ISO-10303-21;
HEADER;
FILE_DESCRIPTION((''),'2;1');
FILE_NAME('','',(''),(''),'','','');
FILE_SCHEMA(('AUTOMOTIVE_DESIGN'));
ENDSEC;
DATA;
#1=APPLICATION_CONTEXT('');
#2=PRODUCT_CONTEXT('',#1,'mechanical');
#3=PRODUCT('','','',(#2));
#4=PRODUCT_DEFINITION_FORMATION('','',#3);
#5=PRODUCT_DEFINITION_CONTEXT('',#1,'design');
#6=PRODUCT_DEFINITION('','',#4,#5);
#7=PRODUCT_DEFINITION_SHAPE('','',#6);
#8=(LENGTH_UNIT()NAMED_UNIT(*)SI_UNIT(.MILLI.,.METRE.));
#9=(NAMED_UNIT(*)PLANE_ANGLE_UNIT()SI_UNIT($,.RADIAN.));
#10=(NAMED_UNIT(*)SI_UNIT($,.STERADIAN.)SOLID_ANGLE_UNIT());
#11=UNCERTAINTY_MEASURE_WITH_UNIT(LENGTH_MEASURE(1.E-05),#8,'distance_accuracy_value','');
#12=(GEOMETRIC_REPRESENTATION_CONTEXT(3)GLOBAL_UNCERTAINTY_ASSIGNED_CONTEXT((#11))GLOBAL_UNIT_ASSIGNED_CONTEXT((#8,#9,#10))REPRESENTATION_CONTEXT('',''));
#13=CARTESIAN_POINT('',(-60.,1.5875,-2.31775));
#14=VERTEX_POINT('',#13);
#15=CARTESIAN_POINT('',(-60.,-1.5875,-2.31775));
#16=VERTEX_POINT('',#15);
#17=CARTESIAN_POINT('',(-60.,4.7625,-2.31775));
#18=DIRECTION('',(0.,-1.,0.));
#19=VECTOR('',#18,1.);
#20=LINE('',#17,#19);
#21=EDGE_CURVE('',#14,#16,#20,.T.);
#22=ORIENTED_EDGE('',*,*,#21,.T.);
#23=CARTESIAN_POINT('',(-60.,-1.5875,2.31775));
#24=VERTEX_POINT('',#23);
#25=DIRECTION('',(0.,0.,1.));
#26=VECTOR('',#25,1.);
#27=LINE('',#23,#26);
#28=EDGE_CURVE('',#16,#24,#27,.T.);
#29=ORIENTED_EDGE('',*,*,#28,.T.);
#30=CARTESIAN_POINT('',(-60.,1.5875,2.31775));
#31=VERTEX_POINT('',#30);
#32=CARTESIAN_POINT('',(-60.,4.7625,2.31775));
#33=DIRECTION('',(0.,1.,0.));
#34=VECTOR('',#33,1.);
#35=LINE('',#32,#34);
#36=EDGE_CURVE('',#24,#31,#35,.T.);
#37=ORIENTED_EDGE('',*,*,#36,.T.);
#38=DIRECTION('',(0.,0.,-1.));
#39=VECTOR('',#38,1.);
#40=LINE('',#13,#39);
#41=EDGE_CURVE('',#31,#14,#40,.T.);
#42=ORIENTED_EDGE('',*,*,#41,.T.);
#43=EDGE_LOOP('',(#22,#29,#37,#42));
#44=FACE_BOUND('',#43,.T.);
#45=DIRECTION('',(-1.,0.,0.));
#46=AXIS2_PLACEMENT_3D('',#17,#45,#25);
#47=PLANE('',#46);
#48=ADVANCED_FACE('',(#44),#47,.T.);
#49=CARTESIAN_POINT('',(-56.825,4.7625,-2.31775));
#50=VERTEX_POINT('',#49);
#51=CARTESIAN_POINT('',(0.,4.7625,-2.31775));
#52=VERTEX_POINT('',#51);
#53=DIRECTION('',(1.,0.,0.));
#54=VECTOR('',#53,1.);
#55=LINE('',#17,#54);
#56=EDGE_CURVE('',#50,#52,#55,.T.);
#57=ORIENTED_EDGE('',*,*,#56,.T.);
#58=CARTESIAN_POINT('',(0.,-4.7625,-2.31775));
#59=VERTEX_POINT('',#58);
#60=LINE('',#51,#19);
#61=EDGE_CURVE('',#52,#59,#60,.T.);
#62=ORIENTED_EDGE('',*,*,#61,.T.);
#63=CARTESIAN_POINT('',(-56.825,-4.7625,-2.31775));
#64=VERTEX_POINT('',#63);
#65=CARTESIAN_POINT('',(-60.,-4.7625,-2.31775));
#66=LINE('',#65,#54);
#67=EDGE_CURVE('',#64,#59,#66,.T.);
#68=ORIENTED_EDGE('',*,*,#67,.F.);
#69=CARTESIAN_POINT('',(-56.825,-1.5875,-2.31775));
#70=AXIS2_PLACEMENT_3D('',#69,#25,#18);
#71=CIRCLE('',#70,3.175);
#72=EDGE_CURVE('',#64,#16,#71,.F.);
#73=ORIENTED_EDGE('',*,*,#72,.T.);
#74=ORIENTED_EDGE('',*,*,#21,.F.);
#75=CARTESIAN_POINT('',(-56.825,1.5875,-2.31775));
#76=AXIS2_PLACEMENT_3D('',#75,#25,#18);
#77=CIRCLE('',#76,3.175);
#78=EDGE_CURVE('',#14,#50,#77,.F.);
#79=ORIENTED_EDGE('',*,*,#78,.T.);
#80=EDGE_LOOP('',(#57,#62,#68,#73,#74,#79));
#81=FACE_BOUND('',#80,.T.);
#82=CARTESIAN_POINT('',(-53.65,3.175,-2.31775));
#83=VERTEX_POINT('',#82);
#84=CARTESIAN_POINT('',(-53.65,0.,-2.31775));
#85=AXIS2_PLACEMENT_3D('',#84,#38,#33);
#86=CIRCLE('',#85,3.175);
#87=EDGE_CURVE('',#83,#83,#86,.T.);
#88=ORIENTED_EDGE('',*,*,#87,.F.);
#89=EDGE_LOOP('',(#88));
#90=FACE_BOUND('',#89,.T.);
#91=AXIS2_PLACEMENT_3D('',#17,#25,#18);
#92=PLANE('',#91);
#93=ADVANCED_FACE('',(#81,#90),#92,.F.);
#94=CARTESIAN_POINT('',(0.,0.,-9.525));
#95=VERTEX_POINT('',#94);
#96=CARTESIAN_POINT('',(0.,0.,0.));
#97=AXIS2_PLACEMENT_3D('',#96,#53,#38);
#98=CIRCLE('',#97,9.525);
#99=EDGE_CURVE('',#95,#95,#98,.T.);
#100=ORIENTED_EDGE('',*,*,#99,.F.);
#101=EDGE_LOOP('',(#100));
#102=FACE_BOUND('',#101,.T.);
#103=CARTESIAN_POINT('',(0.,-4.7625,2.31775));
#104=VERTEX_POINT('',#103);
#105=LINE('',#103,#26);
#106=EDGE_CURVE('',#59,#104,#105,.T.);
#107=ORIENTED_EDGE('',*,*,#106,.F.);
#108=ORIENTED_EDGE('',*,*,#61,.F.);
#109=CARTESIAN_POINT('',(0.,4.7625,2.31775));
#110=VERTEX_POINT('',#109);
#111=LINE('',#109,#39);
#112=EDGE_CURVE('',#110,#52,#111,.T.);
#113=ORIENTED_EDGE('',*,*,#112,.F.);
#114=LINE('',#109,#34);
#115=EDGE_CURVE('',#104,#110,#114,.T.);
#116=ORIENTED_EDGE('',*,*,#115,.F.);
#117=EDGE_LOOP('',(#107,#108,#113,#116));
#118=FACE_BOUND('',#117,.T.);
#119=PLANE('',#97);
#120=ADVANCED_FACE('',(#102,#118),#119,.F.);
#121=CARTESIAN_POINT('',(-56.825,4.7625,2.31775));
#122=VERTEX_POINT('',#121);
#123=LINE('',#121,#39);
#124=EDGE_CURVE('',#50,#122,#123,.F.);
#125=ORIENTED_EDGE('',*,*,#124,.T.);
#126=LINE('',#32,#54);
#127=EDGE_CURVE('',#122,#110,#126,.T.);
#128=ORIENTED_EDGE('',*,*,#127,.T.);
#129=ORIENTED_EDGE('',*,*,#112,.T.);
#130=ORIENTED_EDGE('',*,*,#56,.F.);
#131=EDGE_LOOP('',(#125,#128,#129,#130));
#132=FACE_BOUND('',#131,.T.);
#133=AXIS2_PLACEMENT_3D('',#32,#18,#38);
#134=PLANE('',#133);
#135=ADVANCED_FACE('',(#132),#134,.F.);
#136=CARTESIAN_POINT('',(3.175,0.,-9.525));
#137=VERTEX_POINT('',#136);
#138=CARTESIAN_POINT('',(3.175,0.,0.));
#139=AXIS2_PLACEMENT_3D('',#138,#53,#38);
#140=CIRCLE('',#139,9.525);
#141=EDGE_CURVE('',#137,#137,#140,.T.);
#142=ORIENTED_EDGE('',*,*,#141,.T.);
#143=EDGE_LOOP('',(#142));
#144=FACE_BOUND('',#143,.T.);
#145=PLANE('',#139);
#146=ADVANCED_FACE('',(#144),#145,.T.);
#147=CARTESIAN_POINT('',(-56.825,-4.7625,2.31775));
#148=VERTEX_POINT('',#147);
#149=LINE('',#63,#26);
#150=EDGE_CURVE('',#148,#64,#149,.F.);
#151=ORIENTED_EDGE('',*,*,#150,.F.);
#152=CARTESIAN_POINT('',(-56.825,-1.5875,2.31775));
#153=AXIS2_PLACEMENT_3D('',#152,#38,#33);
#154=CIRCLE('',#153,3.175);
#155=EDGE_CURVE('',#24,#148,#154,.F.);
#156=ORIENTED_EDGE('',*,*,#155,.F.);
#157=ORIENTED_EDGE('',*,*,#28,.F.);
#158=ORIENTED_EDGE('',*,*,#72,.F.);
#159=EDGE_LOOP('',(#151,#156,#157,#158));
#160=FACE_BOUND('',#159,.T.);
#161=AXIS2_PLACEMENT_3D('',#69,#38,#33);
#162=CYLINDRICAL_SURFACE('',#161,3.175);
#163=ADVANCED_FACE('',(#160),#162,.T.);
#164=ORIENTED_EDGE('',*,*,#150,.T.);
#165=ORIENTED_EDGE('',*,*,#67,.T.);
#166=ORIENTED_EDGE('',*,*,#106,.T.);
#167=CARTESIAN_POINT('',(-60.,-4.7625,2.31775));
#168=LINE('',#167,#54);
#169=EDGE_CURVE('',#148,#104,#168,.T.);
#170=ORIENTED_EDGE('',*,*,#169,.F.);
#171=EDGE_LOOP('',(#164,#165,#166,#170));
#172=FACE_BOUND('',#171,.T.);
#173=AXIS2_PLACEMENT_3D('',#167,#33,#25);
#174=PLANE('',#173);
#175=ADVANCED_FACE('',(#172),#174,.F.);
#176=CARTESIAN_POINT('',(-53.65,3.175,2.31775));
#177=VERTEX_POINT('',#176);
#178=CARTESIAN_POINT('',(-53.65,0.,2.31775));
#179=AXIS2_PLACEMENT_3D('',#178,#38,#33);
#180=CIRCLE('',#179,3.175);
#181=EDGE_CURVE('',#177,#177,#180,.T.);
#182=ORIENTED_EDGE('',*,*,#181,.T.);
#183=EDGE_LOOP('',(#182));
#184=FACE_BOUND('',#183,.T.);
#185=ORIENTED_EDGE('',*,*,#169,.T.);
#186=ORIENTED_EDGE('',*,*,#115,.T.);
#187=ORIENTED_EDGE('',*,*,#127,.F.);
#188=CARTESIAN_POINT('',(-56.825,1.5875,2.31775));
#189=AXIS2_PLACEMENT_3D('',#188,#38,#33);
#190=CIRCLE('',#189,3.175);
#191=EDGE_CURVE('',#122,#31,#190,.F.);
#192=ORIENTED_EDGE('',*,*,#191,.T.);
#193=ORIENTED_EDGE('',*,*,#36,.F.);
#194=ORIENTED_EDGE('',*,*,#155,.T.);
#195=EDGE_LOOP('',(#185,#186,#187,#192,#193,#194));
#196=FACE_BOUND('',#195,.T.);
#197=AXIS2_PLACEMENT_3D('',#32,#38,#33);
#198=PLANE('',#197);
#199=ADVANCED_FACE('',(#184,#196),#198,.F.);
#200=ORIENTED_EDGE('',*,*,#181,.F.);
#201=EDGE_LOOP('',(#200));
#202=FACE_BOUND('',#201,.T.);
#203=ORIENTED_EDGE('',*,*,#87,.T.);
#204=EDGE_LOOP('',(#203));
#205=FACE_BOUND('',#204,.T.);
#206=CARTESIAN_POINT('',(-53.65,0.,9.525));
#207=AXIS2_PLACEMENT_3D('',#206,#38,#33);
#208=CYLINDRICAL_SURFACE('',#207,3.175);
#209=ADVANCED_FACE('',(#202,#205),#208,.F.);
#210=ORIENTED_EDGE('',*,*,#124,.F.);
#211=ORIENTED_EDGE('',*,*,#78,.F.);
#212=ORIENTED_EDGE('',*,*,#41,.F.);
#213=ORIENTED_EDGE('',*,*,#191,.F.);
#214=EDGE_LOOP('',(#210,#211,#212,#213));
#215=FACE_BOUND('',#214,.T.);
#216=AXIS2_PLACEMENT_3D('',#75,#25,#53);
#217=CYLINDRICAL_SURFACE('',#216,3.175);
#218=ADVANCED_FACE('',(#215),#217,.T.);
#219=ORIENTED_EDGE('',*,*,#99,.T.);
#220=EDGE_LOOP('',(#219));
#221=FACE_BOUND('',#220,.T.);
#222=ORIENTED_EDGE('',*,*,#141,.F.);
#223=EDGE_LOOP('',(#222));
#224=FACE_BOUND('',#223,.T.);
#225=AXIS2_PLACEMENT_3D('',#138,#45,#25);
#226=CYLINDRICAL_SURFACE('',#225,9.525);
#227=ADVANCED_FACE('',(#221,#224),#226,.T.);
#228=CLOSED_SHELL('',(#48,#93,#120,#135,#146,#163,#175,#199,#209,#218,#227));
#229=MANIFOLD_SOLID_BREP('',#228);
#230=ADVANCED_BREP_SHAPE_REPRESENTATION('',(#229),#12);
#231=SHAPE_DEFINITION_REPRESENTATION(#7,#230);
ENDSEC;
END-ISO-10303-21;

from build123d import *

# Parameters (mm, degrees)
SKETCH1_R           = 9.525
BOSS_EXTRUDE1_DEPTH = 3.175
SKETCH2_W           = 4.6355
SKETCH2_H           = 9.525
BOSS_EXTRUDE2_DEPTH = 60
FILLET1_R           = 3.175
SKETCH3_R           = 3.175
CUT_EXTRUDE1_DEPTH  = 62.894881473


with BuildPart() as part:
    # Sketch1 → Boss-Extrude1 (new body)
    with BuildSketch(Plane(origin=(0, 0, 0), x_dir=(0, 0, -1), z_dir=(1, 0, 0))):
        Circle(SKETCH1_R)
    extrude(amount=BOSS_EXTRUDE1_DEPTH)

    # Sketch2 → Boss-Extrude2 (add)
    with BuildSketch(Plane.ZY):
        Rectangle(SKETCH2_W, SKETCH2_H)
    extrude(amount=BOSS_EXTRUDE2_DEPTH)

    # Fillet1
    fillet1_edges = [part.edges().sort_by_distance(p)[0] for p in [
        (-60, 4.7625, 0),
        (-60, -4.7625, 0),
    ]]
    fillet(fillet1_edges, radius=FILLET1_R)

    # Sketch3 → Cut-Extrude1 (cut, through all)
    with BuildSketch(Plane(origin=(0, 0, -2.31775), x_dir=(-1, 0, 0), z_dir=(0, 0, -1))):
        with Locations(Location((53.65, 0, 0), (0, 0, 90))):
            Circle(SKETCH3_R)
    extrude(amount=-CUT_EXTRUDE1_DEPTH, mode=Mode.SUBTRACT)


solid = part.part
